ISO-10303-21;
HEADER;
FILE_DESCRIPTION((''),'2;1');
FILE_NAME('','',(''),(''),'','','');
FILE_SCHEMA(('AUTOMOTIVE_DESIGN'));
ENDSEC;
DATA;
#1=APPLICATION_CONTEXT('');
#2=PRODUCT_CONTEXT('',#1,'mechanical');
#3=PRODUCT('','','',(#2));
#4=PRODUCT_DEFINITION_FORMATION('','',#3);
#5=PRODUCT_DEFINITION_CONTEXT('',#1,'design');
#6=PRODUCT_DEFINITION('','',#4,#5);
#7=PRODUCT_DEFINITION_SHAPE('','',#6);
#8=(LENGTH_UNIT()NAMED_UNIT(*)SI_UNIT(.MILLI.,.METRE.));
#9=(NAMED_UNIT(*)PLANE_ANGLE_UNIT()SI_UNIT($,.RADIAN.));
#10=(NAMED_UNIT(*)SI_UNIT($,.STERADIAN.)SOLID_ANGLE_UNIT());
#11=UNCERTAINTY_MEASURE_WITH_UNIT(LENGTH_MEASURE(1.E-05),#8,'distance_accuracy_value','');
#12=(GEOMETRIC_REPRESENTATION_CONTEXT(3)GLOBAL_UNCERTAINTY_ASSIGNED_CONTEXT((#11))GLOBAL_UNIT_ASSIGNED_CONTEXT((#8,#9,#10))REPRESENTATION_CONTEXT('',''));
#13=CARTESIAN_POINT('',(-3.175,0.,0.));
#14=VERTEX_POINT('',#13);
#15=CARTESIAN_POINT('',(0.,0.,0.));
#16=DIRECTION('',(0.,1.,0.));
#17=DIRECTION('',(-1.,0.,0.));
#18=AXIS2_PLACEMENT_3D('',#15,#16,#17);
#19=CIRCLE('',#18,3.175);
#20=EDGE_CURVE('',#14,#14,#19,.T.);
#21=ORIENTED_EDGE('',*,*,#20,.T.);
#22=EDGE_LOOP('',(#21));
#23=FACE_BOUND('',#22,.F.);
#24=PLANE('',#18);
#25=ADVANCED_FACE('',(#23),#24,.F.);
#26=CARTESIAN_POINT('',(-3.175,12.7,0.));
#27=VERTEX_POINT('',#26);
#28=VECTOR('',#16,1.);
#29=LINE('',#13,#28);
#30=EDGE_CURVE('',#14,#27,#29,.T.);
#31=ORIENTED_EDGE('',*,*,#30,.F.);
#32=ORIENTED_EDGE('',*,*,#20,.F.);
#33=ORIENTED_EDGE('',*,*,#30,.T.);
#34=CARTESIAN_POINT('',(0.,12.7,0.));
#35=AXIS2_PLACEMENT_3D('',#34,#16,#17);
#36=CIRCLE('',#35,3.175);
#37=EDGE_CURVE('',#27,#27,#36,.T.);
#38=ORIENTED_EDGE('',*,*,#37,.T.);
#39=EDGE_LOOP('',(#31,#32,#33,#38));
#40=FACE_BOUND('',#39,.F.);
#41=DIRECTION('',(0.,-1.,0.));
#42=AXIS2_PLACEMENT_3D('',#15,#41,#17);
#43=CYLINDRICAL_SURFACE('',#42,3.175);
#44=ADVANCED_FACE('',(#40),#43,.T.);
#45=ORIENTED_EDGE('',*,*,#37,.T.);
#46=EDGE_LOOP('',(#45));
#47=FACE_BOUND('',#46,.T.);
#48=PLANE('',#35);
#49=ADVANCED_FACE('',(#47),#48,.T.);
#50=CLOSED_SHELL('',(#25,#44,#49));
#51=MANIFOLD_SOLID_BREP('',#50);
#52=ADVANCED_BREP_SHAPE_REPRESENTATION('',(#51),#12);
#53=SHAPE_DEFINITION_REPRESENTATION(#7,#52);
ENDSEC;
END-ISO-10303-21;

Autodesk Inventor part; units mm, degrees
ref_plane "YZ Plane" through (0, 0, 0) normal (1, 0, 0) x (0, 1, 0)
ref_plane "XZ Plane" through (0, 0, 0) normal (0, 1, 0) x (-1, 0, 0)
ref_plane "XY Plane" through (0, 0, 0) normal (0, 0, 1) x (1, 0, 0)
sketch "Sketch1" plane through (0, 0, 0) normal (0, 1, 0) x (-1, 0, 0)
  circle A0 centre (0, 0) radius 3.175
  dimension "d0" = 6.35
extrude "Extrusion1" add sketch "Sketch1" along normal blind 12.7
properties part number "Capacitor" material "Silver"
